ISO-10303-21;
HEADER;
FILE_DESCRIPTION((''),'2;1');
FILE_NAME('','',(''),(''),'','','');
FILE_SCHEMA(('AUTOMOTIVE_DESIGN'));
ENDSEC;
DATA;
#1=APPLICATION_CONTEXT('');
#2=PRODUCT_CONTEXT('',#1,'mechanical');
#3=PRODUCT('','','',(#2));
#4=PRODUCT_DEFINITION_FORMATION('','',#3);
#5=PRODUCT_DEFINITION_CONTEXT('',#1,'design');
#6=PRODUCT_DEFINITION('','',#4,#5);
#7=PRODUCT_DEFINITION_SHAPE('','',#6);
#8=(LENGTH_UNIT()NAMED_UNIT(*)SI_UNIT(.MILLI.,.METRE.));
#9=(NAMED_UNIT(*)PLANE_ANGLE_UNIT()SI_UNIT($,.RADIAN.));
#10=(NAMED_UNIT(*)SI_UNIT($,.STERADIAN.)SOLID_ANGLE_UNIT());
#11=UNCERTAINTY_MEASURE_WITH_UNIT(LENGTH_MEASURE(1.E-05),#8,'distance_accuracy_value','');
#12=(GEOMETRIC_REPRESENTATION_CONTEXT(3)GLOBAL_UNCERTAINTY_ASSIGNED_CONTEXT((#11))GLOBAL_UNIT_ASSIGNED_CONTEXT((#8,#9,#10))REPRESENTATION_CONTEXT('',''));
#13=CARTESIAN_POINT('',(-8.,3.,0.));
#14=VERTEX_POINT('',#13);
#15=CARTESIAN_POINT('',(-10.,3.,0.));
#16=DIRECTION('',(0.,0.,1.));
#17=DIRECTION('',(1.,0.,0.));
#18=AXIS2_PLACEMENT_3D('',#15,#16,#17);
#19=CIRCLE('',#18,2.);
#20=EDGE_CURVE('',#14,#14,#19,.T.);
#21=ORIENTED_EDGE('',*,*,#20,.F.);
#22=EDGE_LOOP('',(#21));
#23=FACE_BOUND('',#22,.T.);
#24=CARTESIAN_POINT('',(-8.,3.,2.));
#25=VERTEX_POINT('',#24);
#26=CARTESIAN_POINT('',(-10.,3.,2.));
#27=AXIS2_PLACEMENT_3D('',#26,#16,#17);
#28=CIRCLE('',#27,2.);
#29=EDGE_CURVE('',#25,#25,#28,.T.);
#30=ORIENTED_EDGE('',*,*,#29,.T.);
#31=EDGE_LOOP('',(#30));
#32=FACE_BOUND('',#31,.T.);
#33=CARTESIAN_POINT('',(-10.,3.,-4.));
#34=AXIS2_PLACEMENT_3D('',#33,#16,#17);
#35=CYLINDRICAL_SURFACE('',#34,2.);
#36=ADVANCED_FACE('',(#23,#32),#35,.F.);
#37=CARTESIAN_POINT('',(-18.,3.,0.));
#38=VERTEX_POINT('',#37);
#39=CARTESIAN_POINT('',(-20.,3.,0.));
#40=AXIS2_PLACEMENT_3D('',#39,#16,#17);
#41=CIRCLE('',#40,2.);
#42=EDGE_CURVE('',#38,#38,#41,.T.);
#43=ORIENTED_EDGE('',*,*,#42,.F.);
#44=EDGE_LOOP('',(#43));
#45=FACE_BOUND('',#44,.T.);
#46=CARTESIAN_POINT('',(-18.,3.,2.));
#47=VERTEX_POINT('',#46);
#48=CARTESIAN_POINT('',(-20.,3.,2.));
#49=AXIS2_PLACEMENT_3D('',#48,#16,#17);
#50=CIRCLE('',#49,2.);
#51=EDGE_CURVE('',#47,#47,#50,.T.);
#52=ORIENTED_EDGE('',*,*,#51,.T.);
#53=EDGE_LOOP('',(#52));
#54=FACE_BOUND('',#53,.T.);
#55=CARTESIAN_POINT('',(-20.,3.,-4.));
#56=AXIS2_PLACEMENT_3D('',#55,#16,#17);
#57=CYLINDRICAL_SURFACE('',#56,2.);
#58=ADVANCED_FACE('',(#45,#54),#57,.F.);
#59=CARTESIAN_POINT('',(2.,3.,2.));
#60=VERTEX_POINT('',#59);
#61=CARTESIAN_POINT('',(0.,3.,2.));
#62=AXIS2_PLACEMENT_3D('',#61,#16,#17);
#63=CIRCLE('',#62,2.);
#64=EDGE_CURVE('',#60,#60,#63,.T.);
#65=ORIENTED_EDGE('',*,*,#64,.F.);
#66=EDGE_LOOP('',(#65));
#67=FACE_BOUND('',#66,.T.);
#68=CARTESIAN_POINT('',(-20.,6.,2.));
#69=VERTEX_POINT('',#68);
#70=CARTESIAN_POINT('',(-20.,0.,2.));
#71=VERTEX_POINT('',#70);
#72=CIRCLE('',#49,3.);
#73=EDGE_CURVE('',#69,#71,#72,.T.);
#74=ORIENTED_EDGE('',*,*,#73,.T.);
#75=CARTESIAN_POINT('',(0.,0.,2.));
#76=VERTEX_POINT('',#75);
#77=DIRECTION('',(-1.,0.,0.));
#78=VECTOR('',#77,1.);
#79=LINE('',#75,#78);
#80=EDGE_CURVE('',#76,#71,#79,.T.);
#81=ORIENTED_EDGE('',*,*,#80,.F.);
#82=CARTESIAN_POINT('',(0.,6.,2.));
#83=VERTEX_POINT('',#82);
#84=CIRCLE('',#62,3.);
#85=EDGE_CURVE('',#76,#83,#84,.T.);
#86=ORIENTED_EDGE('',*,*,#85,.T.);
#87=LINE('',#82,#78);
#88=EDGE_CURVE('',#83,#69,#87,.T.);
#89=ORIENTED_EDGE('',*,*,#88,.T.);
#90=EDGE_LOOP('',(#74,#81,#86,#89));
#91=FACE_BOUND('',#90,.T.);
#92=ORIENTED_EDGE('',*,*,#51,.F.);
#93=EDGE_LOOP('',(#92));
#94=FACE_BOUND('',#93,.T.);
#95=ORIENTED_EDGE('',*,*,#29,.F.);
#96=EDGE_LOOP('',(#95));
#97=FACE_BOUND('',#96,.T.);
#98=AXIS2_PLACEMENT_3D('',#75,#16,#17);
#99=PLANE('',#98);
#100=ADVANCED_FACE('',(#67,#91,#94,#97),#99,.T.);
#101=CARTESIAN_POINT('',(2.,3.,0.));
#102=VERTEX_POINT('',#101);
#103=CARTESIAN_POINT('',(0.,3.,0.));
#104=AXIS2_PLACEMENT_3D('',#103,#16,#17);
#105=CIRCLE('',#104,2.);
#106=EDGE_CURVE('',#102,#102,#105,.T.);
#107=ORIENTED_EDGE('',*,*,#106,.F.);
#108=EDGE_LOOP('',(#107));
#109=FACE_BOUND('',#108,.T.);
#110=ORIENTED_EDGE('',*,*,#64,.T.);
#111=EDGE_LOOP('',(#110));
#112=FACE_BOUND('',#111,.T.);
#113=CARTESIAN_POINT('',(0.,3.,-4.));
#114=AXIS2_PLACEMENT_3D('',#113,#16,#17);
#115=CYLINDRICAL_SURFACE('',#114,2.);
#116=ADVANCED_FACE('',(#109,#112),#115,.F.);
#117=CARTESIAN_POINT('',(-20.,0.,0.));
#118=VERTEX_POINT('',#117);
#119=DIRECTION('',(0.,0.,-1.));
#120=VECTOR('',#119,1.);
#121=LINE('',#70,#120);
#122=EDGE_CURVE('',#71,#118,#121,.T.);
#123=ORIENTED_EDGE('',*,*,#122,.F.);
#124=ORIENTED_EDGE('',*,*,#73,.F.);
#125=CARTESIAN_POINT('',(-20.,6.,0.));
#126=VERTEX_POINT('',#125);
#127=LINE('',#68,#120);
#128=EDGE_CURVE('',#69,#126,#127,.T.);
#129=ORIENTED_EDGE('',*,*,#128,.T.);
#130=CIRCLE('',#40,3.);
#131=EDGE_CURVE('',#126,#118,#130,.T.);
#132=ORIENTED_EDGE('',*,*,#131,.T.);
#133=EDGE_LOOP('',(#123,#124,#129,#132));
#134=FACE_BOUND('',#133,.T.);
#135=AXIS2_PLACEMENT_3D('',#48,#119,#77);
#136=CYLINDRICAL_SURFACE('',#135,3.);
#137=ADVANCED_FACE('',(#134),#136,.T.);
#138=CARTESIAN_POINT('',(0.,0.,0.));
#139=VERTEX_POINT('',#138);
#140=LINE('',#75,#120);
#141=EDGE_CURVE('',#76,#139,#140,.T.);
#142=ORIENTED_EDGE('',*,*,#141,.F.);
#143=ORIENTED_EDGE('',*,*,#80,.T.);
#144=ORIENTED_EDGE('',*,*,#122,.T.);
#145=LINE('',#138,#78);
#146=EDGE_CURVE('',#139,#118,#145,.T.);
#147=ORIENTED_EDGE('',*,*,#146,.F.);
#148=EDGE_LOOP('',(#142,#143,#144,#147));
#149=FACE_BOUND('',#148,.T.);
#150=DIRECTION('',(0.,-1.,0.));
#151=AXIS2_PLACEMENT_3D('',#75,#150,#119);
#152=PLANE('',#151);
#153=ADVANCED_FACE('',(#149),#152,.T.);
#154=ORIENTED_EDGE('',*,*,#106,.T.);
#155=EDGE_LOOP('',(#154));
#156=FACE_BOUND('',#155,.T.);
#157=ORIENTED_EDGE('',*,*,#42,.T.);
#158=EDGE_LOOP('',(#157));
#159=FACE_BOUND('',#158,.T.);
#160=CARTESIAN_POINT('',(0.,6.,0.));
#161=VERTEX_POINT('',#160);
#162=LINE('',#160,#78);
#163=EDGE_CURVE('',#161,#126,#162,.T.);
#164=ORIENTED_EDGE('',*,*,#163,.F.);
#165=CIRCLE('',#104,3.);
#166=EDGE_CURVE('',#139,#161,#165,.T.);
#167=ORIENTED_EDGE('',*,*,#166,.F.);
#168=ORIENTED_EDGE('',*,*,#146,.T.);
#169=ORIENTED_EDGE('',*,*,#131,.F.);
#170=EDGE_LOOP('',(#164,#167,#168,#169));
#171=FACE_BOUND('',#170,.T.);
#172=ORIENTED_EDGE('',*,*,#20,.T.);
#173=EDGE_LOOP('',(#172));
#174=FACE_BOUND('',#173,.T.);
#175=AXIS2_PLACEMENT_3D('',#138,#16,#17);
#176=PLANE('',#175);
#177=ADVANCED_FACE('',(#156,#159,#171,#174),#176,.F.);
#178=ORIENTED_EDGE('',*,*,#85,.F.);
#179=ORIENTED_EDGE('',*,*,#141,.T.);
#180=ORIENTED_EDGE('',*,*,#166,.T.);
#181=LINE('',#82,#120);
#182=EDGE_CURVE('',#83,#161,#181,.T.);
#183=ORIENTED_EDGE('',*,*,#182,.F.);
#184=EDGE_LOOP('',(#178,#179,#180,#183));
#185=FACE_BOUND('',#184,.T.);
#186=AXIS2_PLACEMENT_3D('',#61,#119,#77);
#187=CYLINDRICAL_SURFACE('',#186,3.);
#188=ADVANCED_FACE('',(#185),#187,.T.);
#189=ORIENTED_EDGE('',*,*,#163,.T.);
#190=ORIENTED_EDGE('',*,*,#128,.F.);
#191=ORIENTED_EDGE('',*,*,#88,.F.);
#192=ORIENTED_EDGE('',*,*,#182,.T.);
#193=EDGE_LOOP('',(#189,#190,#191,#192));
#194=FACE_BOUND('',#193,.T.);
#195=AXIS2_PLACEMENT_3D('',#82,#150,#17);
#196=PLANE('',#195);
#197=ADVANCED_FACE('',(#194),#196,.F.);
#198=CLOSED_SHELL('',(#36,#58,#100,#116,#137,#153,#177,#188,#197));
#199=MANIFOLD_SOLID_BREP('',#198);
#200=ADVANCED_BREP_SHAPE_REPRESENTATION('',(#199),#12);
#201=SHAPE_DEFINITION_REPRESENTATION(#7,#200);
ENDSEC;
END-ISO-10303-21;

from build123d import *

# Parameters (mm, degrees)
SKETCH2_W           = 20
SKETCH2_H           = 6
BOSS_EXTRUDE2_DEPTH = 2
CUT_EXTRUDE1_DEPTH  = 6


with BuildPart() as part:
    # Sketch2 → Boss-Extrude2 (new body)
    with BuildSketch(Plane.XY):
        with BuildLine():
            Line((-20, 0), (-20, 6))
            ThreePointArc((-20, 6), (-23, 3), (-20, 0))
        make_face()
        with Locations((-10, 3)):
            Rectangle(SKETCH2_W, SKETCH2_H)
        with BuildLine():
            Line((0, 0), (0, 6))
            ThreePointArc((0, 6), (3, 3), (0, 0))
        make_face()
    extrude(amount=BOSS_EXTRUDE2_DEPTH)

    # Sketch4 → Cut-Extrude1 (cut)
    with BuildSketch(Plane.XY.offset(2)):
        with BuildLine():
            ThreePointArc((-18, 3), (-18.585786438, 4.414213562), (-20, 5))
            Line((-20, 5), (-20, 1))
            ThreePointArc((-20, 1), (-18.585786438, 1.585786438), (-18, 3))
        make_face()
        with BuildLine():
            Line((-20, 1), (-20, 5))
            ThreePointArc((-20, 5), (-22, 3), (-20, 1))
        make_face()
        with BuildLine():
            ThreePointArc((-8, 3), (-8.585786438, 4.414213562), (-10, 5))
            Line((-10, 5), (-10, 1))
            ThreePointArc((-10, 1), (-8.585786438, 1.585786438), (-8, 3))
        make_face()
        with BuildLine():
            Line((-10, 1), (-10, 5))
            ThreePointArc((-10, 5), (-12, 3), (-10, 1))
        make_face()
        with BuildLine():
            ThreePointArc((2, 3), (1.414213562, 4.414213562), (0, 5))
            Line((0, 5), (0, 1))
            ThreePointArc((0, 1), (1.414213562, 1.585786438), (2, 3))
        make_face()
        with BuildLine():
            Line((0, 1), (0, 5))
            ThreePointArc((0, 5), (-2, 3), (0, 1))
        make_face()
    extrude(amount=-CUT_EXTRUDE1_DEPTH, mode=Mode.SUBTRACT)


solid = part.part
